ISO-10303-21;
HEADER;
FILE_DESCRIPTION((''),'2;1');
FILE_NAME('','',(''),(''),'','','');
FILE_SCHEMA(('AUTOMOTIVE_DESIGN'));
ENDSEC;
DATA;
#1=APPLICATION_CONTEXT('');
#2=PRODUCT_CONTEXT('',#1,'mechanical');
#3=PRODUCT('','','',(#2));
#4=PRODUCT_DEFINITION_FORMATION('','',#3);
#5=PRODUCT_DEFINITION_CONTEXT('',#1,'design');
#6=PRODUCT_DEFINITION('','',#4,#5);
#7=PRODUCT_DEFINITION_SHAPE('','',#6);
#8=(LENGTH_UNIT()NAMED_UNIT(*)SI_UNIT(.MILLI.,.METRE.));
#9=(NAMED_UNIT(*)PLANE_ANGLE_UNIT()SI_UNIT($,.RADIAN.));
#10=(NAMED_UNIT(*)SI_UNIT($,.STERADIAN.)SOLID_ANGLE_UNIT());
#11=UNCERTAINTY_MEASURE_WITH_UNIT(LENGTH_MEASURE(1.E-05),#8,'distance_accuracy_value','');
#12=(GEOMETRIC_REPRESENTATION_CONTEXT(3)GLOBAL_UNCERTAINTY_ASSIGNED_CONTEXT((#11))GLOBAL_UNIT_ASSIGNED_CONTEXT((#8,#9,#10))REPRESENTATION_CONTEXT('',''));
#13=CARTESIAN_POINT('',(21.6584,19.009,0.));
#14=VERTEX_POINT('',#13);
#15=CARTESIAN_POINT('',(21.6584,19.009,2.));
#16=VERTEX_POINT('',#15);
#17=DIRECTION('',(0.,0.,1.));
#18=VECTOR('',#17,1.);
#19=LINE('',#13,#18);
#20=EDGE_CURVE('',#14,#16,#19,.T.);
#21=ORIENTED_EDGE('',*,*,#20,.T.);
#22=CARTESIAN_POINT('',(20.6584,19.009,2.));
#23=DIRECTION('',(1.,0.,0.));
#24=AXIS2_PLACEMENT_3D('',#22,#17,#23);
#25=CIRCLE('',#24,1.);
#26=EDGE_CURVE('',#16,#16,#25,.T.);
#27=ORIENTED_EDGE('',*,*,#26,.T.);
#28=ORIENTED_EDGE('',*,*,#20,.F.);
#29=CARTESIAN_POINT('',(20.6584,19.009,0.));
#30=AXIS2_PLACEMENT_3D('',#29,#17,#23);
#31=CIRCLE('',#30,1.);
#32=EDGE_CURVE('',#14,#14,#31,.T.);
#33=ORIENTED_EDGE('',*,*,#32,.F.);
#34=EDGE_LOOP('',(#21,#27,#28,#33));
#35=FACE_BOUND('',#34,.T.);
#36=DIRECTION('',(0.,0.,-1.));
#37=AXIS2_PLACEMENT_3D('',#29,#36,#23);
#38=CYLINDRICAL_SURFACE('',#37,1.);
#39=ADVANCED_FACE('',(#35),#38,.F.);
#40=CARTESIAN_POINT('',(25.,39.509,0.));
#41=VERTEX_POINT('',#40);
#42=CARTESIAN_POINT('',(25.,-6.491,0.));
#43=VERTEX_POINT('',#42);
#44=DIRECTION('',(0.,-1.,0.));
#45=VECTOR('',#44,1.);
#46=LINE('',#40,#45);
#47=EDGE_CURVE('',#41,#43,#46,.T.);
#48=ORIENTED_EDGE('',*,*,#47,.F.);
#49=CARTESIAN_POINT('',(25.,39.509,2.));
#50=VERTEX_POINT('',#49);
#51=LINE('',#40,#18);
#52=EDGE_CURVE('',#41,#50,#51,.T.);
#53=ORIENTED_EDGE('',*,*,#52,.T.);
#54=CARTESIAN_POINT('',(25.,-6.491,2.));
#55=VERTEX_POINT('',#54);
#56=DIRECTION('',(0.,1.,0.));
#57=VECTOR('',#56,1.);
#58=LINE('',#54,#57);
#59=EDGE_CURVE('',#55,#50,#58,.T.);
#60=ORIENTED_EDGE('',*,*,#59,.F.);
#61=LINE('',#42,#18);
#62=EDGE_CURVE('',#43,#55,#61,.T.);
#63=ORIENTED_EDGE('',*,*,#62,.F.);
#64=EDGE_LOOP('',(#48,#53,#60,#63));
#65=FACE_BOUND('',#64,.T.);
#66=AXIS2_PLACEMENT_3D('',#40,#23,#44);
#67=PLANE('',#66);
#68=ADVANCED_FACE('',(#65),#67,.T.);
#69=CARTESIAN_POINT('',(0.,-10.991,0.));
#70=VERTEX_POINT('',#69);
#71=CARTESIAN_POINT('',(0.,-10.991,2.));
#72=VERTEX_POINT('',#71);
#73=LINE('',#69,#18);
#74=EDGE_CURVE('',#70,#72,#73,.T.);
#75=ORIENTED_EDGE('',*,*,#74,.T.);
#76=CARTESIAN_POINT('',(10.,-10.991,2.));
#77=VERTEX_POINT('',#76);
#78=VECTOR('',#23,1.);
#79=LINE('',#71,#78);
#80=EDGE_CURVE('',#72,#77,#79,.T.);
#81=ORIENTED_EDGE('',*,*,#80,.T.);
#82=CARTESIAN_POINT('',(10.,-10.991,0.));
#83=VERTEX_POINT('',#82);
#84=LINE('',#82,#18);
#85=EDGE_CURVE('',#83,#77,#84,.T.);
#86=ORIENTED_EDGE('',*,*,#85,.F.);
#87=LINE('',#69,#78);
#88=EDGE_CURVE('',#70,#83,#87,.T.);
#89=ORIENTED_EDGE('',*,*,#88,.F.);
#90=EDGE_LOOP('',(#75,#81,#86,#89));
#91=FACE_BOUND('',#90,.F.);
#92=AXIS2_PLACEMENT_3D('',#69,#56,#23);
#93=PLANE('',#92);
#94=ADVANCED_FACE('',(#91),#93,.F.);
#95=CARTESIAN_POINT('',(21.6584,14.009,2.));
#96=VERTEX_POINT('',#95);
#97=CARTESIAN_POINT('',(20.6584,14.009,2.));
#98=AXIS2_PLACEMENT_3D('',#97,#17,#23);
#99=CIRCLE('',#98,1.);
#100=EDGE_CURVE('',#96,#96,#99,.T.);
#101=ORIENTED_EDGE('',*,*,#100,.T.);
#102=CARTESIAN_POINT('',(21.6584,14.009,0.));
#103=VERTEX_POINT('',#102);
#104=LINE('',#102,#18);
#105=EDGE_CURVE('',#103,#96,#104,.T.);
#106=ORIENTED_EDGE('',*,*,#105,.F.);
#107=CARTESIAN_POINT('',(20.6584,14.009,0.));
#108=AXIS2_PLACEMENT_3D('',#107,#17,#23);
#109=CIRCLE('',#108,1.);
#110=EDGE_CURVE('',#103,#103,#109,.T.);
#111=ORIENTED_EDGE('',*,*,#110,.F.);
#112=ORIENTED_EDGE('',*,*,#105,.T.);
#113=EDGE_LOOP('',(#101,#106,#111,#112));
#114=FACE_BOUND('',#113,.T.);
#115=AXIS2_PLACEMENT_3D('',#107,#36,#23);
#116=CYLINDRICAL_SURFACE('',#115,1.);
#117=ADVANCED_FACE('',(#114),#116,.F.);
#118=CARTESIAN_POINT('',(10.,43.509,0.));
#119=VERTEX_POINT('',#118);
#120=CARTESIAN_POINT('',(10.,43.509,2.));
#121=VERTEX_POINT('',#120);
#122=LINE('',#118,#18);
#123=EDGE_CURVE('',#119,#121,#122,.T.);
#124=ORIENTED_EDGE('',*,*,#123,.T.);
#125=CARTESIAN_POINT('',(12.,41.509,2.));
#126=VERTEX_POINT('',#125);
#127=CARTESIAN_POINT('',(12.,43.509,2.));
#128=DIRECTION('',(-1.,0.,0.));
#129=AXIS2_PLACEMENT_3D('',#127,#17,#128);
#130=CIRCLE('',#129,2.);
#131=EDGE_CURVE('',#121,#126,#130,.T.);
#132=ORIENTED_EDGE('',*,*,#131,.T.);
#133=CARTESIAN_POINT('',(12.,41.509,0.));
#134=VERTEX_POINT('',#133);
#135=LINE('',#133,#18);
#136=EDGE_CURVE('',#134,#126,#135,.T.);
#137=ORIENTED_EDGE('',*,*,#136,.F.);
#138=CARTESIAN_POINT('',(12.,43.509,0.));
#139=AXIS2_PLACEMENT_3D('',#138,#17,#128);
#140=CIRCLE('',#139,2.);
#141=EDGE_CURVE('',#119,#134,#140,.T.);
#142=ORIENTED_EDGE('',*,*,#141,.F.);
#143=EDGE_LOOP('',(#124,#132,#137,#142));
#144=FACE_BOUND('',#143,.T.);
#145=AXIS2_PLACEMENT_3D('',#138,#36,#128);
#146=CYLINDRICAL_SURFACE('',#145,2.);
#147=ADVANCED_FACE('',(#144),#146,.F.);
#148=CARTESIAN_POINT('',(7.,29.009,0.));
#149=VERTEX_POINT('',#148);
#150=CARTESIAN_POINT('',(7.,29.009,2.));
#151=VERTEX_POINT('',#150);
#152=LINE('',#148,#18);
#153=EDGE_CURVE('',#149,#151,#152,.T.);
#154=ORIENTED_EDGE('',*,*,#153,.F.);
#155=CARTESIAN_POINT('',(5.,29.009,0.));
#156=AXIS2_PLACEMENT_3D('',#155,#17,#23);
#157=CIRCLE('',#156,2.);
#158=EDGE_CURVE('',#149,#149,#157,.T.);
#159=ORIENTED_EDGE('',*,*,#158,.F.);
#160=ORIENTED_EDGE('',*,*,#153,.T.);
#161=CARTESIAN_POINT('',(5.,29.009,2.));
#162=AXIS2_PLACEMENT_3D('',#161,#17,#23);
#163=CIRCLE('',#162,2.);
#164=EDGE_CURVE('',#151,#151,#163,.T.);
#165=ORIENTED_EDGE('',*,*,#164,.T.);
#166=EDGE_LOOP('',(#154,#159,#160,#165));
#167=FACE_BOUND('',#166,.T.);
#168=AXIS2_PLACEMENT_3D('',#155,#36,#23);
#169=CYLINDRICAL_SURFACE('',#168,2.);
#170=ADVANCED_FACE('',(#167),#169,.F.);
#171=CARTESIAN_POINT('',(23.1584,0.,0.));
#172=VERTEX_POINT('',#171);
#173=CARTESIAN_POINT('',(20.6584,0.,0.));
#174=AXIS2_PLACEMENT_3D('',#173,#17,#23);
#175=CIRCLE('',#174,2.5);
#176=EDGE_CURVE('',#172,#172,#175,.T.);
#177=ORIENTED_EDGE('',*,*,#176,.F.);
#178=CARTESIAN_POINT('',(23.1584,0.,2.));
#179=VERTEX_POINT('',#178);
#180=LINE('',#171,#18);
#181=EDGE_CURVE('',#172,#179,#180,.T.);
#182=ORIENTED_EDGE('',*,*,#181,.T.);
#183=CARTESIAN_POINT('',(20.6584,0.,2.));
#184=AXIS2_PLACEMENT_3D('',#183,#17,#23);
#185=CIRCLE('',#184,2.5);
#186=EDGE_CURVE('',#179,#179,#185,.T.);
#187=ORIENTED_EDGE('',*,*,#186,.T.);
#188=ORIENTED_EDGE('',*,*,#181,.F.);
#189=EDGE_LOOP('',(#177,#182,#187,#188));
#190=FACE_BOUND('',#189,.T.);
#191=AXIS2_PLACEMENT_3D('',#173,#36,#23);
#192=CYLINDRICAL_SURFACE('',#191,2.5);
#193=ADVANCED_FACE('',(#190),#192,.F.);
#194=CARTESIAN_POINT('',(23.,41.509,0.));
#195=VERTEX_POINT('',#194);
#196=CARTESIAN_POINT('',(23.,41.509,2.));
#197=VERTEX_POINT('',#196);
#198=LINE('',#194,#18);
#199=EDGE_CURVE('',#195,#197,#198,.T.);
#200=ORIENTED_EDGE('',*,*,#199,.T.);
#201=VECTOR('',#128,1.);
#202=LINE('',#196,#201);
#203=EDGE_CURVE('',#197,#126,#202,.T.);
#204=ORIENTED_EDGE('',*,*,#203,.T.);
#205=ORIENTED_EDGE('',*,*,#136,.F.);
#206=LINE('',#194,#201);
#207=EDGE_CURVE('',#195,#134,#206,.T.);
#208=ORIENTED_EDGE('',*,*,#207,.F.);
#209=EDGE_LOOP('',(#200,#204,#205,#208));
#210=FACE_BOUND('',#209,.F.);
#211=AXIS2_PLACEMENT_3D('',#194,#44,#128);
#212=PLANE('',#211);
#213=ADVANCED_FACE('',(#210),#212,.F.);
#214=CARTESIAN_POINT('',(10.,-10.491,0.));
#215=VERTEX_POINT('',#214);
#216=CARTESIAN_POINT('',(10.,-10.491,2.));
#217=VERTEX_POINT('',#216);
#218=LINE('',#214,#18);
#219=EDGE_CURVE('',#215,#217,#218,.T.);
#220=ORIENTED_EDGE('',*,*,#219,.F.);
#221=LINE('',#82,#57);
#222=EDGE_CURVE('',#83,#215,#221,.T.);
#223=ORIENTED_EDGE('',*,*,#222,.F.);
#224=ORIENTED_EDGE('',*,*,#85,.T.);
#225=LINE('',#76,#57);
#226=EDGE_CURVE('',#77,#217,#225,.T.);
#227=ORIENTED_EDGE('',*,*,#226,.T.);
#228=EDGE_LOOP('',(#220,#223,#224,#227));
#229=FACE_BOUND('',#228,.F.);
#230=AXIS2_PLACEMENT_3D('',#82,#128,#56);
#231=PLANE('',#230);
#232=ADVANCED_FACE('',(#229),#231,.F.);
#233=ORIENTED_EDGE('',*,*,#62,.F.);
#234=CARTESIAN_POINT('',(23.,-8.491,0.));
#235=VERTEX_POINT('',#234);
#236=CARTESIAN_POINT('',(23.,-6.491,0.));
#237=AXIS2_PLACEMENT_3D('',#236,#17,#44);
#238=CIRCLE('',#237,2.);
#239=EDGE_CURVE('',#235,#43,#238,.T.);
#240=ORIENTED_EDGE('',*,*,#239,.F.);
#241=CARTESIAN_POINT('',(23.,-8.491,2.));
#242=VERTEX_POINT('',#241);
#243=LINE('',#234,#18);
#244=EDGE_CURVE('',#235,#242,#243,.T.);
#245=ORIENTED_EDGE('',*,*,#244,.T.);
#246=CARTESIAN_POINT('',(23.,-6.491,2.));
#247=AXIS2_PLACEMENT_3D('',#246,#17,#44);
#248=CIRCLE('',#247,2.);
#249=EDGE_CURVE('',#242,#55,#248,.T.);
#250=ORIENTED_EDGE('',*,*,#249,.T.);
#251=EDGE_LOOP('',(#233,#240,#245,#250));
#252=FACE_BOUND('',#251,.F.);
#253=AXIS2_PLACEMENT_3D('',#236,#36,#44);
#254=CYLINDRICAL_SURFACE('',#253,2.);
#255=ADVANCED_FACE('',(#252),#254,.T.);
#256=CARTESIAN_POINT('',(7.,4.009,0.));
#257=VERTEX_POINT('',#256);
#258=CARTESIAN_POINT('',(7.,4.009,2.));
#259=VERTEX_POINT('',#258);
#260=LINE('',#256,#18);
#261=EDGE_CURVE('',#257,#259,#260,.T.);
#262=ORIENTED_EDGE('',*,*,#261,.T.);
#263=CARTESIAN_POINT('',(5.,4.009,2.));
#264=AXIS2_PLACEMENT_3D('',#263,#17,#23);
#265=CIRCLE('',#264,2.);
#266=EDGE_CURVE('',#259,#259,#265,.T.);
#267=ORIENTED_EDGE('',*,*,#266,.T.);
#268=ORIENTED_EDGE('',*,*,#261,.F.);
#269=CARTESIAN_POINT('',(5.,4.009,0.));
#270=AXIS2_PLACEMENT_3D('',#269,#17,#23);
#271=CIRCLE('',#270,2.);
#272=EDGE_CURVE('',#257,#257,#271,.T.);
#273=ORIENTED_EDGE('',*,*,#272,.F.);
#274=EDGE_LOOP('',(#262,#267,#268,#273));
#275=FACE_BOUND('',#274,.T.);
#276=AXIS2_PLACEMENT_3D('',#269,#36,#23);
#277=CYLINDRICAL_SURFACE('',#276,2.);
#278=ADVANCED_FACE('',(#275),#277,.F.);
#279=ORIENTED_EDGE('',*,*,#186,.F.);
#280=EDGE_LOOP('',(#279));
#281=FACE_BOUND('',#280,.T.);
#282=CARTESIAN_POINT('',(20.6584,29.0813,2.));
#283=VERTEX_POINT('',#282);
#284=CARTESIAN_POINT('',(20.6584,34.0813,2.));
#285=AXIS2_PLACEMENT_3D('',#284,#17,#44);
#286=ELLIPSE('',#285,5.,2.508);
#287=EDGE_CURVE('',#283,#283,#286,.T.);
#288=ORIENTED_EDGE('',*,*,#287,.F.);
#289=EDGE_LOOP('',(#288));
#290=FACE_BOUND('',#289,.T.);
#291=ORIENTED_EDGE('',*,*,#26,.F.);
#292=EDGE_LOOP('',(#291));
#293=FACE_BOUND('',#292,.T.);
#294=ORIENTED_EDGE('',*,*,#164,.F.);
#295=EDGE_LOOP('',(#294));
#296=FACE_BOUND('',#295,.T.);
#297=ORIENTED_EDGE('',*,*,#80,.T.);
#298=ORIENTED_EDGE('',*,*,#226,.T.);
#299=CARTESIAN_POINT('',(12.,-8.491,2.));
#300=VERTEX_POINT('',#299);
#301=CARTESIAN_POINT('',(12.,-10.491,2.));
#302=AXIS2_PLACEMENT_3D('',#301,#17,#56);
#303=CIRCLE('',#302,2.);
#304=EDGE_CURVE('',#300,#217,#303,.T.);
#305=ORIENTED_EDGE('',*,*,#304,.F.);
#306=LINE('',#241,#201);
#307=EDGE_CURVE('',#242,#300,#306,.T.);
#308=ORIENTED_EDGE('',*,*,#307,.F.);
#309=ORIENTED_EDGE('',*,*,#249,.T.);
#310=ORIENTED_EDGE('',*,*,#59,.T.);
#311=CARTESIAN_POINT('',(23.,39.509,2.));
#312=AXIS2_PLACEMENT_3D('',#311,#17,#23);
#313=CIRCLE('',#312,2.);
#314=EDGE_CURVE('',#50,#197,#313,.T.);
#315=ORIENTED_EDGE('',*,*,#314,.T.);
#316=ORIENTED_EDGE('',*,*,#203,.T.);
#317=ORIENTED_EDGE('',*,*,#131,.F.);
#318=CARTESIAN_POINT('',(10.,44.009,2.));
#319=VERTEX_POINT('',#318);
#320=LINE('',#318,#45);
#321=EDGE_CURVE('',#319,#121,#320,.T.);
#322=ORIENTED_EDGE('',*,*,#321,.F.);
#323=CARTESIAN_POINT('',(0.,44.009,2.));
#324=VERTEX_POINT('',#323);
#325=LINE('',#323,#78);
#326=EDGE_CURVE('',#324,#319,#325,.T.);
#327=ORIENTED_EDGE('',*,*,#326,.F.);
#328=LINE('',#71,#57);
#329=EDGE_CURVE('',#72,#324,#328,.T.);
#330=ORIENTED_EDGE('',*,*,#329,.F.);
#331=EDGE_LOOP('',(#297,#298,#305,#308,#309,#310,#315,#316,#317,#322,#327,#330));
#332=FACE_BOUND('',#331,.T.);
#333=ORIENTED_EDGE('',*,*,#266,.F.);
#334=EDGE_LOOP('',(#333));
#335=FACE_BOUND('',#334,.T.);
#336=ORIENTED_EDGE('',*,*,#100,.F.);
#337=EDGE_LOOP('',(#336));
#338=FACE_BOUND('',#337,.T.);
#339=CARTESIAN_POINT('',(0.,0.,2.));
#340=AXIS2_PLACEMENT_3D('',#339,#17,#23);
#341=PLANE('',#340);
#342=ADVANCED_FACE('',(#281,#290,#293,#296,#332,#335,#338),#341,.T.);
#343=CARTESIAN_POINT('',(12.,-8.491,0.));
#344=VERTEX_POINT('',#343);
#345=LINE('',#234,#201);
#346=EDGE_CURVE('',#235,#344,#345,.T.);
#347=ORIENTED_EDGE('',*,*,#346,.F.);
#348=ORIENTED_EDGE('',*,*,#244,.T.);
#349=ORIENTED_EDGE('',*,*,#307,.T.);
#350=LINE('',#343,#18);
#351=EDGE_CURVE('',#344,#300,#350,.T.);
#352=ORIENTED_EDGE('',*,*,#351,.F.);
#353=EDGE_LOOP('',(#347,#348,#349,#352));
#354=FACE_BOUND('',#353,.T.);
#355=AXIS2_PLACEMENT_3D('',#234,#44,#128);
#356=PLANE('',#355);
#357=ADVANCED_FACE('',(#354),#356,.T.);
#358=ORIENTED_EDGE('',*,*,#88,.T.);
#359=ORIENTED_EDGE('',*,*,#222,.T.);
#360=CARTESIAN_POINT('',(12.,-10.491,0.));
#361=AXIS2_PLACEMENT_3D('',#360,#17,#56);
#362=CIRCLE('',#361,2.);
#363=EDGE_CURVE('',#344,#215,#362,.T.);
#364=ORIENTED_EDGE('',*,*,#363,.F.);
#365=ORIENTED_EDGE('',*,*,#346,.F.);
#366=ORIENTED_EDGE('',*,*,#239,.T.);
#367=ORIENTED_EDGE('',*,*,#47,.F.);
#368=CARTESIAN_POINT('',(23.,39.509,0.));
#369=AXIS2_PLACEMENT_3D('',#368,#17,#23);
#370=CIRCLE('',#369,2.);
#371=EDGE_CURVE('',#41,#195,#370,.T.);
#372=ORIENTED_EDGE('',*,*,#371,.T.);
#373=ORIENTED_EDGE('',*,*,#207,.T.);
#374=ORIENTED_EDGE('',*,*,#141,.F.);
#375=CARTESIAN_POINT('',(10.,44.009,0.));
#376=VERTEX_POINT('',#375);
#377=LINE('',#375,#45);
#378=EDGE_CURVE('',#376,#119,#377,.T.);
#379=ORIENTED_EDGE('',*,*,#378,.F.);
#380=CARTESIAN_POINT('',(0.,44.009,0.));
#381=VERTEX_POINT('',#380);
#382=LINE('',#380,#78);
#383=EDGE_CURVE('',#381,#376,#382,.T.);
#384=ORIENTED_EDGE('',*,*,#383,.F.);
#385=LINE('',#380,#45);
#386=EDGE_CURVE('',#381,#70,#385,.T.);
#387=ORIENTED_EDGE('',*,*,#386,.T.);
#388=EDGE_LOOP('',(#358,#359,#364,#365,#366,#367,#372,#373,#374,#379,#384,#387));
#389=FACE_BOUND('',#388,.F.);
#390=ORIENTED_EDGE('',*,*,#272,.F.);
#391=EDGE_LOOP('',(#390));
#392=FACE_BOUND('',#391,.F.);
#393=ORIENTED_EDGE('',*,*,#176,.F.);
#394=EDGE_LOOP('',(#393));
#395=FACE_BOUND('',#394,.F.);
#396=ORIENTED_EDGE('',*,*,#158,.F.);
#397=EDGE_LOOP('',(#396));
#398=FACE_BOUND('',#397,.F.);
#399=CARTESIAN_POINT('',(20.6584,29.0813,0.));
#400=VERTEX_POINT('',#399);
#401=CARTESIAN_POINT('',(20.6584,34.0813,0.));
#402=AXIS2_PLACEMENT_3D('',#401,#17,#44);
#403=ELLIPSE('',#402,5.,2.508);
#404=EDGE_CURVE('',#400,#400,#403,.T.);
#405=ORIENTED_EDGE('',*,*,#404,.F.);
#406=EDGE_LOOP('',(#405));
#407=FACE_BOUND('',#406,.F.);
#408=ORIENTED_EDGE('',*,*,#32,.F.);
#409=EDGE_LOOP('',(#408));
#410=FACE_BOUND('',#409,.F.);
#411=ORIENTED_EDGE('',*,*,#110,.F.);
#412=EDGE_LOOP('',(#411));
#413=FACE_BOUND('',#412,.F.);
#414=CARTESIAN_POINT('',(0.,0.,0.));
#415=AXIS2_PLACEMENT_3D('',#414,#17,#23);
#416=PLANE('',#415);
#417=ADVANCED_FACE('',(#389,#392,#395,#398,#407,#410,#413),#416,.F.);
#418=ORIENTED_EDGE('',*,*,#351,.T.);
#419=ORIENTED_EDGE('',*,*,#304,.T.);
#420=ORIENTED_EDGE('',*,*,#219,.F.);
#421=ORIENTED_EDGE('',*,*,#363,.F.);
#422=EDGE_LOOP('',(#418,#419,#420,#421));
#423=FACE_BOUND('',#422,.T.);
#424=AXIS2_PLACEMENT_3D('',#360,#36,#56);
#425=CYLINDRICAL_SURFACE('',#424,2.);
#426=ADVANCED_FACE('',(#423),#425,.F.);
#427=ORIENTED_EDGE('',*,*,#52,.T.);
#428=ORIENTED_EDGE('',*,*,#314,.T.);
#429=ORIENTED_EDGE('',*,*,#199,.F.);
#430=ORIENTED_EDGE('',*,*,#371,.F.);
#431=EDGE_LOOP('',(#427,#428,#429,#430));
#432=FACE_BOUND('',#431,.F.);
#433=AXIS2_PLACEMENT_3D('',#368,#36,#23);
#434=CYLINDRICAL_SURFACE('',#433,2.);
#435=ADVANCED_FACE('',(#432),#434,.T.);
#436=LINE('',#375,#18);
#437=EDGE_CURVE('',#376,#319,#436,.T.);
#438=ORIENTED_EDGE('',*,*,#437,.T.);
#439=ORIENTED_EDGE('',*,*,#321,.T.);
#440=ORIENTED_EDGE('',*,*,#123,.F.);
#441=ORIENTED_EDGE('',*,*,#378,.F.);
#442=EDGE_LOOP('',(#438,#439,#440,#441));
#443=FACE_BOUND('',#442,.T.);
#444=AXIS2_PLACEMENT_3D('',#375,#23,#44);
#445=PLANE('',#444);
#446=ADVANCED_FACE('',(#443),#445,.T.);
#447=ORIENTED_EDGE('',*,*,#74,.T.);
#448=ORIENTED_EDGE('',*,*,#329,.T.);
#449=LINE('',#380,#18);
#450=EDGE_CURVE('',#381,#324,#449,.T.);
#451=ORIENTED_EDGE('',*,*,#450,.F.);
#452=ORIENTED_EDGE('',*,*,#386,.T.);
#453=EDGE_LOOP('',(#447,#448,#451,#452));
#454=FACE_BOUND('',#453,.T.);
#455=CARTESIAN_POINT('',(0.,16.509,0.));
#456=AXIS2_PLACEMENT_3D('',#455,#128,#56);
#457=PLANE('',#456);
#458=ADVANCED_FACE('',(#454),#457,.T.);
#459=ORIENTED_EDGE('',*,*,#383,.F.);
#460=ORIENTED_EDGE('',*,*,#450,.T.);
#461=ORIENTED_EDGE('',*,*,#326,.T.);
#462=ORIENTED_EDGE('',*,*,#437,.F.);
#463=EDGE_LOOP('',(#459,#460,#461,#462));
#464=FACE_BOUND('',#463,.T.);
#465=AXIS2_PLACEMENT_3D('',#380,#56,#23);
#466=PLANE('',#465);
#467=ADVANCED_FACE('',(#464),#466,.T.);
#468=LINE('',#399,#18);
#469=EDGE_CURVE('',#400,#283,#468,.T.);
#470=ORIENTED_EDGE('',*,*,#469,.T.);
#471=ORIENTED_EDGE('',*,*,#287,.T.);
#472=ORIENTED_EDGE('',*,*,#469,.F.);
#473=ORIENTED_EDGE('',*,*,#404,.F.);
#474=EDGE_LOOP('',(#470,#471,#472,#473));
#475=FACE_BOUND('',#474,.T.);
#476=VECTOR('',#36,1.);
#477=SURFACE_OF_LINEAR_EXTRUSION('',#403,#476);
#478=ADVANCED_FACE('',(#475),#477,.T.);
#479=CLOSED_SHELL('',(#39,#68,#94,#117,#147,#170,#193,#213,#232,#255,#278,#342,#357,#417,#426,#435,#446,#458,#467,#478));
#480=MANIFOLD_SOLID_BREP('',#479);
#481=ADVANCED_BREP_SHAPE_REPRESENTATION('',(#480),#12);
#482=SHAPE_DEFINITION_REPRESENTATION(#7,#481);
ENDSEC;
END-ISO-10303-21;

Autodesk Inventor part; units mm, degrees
ref_plane "YZ Plane" through (0, 0, 0) normal (1, 0, 0) x (0, 1, 0)
ref_plane "XZ Plane" through (0, 0, 0) normal (0, 1, 0) x (-1, 0, 0)
ref_plane "XY Plane" through (0, 0, 0) normal (0, 0, 1) x (1, 0, 0)
sketch "Sketch1" plane through (0, 0, 0) normal (0, 0, 1) x (1, 0, 0)
  line L0 (0, 44.009) -> (10, 44.009)
  line L1 (0, -10.991) -> (0, 44.009)
  line L2 (10, 44.009) -> (10, 43.509)
  line L3 (25, 39.509) -> (25, -6.491)
  line L4 (23, 41.509) -> (12, 41.509)
  line L5 (23, -8.491) -> (12, -8.491)
  line L6 (0, -10.991) -> (10, -10.991)
  arc A0 (10, 43.509) -> (12, 41.509) centre (12, 43.509) ccw
  line L7 (10, -10.991) -> (10, -10.491)
  arc A1 (12, -8.491) -> (10, -10.491) centre (12, -10.491) ccw
  arc A2 (25, 39.509) -> (23, 41.509) centre (23, 39.509) ccw
  arc A3 (23, -8.491) -> (25, -6.491) centre (23, -6.491) ccw
  circle A4 centre (5, 29.009) radius 2
  circle A5 centre (5, 4.009) radius 2
  circle A6 centre (20.6584, 0) radius 2.5
  ellipse E0 centre (20.6584, 34.0813) end of major axis (20.6584, 29.0813) minor radius 2.508
  circle A7 centre (20.6584, 19.009) radius 1
  circle A8 centre (20.6584, 14.009) radius 1
  line L8 (25, 16.509) -> (0, 16.509)
  point P0 (0, 0)
  point P1 (25, 41.509)
  point P2 (25, -8.491)
  point P3 (10, -8.491)
  dimension "d11" = 5
  dimension "d1" = 55
  dimension "d3" = 50
  dimension "d6" = 2
  dimension "d7" = 2
  dimension "d8" = 2
  dimension "d9" = 4
  dimension "d10" = 5
  dimension "d12" = 2
  dimension "d13" = 2
  dimension "d23" = 4
  dimension "d24" = 25
  dimension "d26" = 12.5
  dimension "d27" = 5
  dimension "d28" = 5
extrude "Extrusion1" add sketch "Sketch1" along normal blind 2
properties part number "Radio Chip Plate"
